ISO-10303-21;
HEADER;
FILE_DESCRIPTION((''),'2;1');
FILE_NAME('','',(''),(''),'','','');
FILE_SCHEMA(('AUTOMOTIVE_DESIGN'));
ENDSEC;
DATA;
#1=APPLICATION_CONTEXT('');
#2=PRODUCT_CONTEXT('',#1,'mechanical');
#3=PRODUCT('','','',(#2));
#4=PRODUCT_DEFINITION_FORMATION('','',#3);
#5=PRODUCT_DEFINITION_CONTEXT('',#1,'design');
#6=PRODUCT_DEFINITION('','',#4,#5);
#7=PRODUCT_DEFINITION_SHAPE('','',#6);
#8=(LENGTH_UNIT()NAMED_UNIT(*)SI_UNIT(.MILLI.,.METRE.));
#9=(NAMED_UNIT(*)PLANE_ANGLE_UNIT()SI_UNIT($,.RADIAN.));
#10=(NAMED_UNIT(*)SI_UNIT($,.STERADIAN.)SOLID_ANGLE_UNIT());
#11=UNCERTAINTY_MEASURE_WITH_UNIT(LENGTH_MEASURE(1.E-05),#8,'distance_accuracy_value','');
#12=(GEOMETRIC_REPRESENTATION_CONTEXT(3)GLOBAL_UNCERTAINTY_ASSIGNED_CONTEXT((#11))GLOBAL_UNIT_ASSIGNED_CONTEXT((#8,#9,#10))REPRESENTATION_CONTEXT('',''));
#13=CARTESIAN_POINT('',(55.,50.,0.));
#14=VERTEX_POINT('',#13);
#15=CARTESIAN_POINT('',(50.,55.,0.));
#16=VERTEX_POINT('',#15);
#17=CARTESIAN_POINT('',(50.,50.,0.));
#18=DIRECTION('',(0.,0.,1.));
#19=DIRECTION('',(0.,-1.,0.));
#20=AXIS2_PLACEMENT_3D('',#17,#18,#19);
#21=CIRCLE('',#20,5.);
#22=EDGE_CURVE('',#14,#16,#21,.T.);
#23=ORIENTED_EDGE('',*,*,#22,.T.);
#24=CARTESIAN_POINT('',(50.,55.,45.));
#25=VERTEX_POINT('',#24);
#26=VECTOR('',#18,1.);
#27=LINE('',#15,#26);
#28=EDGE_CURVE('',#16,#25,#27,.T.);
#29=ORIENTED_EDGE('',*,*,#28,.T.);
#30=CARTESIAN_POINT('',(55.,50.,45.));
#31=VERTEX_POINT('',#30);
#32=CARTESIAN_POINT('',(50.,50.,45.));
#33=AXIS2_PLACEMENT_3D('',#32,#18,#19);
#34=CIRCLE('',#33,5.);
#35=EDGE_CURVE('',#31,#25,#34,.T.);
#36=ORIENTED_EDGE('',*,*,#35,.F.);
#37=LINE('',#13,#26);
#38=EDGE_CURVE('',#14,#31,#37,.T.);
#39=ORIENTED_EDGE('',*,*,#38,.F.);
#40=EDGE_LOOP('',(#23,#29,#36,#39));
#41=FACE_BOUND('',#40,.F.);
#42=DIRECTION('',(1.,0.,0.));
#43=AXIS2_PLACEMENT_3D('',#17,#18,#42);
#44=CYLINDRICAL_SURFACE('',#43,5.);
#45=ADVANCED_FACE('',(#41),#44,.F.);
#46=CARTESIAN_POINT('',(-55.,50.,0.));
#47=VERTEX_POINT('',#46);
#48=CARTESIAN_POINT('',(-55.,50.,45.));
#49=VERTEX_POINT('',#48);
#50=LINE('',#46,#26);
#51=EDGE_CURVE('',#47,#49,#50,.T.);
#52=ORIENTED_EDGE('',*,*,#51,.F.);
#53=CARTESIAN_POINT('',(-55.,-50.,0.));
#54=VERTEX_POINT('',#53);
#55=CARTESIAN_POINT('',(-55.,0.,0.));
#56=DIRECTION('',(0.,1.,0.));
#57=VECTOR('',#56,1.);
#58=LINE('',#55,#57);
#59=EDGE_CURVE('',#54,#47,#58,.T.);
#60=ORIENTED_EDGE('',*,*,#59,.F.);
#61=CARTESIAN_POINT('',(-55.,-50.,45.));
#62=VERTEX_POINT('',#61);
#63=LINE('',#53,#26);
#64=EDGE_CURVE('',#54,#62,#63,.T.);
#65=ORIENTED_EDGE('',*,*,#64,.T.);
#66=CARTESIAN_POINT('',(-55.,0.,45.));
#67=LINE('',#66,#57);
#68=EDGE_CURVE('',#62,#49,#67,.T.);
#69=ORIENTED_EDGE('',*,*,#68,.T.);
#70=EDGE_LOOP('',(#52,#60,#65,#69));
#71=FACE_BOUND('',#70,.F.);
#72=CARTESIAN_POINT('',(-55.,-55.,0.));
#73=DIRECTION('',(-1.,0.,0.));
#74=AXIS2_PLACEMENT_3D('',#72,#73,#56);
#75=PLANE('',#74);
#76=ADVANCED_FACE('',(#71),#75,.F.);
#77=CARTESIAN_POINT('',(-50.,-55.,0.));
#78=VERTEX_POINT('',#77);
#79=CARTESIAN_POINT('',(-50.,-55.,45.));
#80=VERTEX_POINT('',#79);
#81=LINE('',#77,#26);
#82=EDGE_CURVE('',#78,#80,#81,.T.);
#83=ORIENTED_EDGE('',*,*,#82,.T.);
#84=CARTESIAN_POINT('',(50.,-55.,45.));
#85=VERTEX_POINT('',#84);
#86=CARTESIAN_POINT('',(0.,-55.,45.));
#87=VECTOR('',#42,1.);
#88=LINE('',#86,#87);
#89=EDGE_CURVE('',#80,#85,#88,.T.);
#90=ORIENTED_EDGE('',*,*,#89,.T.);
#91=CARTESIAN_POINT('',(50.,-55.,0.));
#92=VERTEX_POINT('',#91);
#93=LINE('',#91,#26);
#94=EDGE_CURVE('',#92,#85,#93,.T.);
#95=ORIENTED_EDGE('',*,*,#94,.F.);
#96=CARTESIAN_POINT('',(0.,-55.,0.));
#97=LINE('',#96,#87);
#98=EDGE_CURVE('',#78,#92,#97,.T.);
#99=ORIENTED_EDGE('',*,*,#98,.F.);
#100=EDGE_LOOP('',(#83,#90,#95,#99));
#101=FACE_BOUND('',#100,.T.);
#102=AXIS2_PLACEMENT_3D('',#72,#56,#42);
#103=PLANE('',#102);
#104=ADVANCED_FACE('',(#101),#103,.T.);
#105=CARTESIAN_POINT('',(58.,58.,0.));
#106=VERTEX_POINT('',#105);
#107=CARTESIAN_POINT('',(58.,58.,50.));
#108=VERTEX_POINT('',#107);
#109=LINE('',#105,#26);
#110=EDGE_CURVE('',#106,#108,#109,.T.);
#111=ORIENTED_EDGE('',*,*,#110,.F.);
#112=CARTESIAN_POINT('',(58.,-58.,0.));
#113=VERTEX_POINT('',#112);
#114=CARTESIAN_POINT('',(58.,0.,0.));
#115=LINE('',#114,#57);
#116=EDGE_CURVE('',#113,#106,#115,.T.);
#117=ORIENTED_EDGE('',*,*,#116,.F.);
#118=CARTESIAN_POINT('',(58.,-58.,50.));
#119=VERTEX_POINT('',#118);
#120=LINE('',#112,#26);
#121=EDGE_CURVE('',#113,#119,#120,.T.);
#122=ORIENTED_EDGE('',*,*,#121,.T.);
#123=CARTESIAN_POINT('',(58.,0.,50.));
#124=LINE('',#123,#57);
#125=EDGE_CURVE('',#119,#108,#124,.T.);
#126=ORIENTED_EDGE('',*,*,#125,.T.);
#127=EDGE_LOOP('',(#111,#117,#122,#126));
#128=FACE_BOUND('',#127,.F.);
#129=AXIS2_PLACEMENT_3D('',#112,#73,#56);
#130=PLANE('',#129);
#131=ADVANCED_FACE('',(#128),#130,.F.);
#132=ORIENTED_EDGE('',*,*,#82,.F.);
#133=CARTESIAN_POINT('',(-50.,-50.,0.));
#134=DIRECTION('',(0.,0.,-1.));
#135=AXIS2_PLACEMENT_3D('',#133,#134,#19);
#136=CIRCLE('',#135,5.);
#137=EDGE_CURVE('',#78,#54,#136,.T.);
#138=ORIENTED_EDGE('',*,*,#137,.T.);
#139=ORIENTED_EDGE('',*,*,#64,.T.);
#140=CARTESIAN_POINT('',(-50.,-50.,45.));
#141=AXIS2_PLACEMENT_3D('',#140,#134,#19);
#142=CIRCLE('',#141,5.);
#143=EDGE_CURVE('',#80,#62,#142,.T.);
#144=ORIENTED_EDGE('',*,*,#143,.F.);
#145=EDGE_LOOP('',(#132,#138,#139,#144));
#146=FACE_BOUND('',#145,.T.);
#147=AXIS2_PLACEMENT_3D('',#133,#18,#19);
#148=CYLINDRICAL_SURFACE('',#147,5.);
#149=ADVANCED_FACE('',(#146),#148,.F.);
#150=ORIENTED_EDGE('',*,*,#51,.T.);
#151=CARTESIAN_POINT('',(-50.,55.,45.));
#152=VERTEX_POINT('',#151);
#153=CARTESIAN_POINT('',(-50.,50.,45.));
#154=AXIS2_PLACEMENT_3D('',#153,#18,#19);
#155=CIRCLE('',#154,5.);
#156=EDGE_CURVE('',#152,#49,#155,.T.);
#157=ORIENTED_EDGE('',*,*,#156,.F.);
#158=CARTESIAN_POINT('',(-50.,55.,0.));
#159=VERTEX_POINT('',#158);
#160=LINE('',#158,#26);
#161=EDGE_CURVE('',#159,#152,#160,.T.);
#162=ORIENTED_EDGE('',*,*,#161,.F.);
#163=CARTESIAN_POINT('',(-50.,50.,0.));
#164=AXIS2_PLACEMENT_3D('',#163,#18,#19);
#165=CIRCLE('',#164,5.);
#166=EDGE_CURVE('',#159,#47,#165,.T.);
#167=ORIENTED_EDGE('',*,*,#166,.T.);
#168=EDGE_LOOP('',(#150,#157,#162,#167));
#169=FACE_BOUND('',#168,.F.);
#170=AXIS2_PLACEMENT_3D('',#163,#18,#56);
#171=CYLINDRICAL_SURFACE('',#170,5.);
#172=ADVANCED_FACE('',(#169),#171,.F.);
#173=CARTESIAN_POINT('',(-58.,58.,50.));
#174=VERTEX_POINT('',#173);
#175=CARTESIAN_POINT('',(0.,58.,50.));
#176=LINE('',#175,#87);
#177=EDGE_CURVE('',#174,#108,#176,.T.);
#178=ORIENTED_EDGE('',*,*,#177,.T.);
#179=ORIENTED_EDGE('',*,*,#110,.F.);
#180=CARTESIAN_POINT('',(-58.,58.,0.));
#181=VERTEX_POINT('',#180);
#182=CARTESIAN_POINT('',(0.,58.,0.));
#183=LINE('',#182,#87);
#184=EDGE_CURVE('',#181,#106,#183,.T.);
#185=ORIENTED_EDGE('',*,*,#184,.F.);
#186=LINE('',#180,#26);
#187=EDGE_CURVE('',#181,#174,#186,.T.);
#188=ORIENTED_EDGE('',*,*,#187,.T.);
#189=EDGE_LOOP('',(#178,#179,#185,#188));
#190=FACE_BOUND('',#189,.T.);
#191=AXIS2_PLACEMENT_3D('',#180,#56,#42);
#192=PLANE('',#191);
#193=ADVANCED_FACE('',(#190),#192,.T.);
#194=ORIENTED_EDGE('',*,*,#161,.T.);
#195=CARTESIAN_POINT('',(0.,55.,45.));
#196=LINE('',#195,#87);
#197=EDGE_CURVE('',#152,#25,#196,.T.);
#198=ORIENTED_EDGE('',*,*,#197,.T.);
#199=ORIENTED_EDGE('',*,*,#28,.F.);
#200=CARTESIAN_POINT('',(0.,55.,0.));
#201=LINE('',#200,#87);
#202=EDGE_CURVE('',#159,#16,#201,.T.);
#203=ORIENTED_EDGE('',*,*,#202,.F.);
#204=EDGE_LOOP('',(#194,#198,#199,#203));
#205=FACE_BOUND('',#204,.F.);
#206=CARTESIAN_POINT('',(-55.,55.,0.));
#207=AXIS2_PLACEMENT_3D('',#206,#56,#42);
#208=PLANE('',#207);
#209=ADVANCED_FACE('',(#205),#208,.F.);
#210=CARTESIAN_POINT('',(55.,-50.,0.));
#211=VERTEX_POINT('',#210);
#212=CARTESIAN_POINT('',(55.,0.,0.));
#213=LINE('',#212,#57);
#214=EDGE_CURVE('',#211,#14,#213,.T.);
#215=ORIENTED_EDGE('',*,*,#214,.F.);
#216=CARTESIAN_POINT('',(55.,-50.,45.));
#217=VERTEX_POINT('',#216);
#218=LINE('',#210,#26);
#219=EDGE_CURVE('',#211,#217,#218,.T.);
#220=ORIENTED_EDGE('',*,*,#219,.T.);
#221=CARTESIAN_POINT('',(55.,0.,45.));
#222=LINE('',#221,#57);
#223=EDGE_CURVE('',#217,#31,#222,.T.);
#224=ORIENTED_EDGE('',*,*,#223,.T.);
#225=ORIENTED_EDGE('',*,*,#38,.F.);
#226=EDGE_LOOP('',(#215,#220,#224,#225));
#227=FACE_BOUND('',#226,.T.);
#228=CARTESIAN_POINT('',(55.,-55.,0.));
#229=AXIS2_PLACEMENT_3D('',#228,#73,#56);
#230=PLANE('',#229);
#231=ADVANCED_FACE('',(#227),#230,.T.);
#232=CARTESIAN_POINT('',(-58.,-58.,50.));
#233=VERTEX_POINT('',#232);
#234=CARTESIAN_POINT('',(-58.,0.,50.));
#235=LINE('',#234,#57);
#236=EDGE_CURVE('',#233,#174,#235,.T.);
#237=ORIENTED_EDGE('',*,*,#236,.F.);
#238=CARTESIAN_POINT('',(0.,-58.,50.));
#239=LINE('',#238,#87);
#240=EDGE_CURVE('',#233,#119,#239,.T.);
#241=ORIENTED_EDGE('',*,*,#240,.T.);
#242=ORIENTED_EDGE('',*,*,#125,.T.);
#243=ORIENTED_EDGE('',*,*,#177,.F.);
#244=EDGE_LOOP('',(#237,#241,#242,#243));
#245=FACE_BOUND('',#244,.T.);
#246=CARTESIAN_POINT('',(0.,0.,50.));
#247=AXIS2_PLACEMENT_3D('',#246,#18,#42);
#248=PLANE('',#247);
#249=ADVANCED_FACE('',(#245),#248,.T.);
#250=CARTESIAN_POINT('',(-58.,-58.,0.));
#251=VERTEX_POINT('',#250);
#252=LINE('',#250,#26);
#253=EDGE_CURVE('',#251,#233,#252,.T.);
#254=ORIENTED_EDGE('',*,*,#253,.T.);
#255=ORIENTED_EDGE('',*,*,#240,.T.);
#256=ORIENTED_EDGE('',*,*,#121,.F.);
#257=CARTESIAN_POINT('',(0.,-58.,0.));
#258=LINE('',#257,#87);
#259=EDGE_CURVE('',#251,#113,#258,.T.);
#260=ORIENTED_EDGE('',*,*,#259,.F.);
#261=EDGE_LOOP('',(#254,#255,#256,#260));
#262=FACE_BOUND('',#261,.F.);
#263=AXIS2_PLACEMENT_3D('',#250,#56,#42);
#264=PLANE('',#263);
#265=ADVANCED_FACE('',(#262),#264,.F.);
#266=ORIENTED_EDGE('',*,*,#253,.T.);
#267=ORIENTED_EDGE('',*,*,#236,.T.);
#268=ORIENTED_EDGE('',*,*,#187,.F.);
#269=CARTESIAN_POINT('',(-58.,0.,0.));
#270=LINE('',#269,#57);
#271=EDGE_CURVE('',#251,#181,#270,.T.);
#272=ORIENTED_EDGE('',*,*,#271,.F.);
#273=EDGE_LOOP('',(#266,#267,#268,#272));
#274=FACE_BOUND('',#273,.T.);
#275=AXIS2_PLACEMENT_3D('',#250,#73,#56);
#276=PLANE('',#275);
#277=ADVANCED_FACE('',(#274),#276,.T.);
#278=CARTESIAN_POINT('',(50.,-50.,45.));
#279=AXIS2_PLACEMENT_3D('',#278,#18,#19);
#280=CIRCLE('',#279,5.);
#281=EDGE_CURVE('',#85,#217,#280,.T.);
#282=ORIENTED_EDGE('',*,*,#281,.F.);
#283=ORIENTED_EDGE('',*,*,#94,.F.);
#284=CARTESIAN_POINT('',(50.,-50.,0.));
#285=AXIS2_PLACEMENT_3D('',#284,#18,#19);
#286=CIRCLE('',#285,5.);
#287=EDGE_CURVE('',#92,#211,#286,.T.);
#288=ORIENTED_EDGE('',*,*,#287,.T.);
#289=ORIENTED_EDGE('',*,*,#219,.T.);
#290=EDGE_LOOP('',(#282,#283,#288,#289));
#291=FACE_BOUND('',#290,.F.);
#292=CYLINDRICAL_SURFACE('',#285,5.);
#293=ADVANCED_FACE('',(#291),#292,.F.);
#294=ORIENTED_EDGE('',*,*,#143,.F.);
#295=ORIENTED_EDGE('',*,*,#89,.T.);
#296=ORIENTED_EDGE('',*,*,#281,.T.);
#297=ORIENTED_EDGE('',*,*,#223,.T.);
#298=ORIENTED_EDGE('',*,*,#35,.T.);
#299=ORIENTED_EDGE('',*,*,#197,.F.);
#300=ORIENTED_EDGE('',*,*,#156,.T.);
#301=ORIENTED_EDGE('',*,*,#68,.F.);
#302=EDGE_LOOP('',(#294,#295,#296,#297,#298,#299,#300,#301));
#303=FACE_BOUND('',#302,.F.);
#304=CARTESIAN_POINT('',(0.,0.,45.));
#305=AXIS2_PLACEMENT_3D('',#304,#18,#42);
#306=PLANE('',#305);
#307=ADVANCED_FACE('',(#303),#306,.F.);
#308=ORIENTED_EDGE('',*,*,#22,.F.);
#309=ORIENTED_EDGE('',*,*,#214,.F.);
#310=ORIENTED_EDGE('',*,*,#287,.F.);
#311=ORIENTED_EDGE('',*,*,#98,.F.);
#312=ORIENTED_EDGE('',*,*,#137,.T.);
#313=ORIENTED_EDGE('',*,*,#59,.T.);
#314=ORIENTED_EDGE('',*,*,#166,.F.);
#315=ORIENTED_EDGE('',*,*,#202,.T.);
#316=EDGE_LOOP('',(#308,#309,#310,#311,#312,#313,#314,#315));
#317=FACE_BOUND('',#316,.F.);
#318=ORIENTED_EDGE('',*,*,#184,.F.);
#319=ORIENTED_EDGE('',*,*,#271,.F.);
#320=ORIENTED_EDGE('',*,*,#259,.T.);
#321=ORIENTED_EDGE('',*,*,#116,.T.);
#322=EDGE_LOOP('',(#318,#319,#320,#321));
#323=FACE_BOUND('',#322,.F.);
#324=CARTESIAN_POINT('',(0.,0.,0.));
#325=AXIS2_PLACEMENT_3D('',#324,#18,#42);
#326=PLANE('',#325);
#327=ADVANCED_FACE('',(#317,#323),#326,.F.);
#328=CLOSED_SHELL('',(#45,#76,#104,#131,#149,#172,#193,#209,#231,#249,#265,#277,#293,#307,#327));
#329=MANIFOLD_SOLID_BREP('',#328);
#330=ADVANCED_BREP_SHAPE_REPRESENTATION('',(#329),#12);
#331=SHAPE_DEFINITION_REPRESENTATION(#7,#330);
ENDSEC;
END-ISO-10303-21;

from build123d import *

# Parameters (mm, degrees)
F0_W     = 116
F0_H     = 116
F1_DEPTH = 50
F2_W     = 110
F2_H     = 110
F3_DEPTH = 45
F4_R     = 5


with BuildPart() as f1:
    # F0 (on Top) → F1 (new body)
    with BuildSketch(Plane.XY):
        Rectangle(F0_W, F0_H)
    extrude(amount=F1_DEPTH)

    # F2 (on Top) → F3 (cut)
    with BuildSketch(Plane.XY):
        Rectangle(F2_W, F2_H)
    extrude(amount=F3_DEPTH, mode=Mode.SUBTRACT)

    # F4
    f4_edges = [f1.edges().sort_by_distance(p)[0] for p in [
        (55, 55, 22.5),
        (-55, -55, 22.5),
        (55, -55, 22.5),
        (-55, 55, 22.5),
    ]]
    fillet(f4_edges, radius=F4_R)


solid = f1.part
